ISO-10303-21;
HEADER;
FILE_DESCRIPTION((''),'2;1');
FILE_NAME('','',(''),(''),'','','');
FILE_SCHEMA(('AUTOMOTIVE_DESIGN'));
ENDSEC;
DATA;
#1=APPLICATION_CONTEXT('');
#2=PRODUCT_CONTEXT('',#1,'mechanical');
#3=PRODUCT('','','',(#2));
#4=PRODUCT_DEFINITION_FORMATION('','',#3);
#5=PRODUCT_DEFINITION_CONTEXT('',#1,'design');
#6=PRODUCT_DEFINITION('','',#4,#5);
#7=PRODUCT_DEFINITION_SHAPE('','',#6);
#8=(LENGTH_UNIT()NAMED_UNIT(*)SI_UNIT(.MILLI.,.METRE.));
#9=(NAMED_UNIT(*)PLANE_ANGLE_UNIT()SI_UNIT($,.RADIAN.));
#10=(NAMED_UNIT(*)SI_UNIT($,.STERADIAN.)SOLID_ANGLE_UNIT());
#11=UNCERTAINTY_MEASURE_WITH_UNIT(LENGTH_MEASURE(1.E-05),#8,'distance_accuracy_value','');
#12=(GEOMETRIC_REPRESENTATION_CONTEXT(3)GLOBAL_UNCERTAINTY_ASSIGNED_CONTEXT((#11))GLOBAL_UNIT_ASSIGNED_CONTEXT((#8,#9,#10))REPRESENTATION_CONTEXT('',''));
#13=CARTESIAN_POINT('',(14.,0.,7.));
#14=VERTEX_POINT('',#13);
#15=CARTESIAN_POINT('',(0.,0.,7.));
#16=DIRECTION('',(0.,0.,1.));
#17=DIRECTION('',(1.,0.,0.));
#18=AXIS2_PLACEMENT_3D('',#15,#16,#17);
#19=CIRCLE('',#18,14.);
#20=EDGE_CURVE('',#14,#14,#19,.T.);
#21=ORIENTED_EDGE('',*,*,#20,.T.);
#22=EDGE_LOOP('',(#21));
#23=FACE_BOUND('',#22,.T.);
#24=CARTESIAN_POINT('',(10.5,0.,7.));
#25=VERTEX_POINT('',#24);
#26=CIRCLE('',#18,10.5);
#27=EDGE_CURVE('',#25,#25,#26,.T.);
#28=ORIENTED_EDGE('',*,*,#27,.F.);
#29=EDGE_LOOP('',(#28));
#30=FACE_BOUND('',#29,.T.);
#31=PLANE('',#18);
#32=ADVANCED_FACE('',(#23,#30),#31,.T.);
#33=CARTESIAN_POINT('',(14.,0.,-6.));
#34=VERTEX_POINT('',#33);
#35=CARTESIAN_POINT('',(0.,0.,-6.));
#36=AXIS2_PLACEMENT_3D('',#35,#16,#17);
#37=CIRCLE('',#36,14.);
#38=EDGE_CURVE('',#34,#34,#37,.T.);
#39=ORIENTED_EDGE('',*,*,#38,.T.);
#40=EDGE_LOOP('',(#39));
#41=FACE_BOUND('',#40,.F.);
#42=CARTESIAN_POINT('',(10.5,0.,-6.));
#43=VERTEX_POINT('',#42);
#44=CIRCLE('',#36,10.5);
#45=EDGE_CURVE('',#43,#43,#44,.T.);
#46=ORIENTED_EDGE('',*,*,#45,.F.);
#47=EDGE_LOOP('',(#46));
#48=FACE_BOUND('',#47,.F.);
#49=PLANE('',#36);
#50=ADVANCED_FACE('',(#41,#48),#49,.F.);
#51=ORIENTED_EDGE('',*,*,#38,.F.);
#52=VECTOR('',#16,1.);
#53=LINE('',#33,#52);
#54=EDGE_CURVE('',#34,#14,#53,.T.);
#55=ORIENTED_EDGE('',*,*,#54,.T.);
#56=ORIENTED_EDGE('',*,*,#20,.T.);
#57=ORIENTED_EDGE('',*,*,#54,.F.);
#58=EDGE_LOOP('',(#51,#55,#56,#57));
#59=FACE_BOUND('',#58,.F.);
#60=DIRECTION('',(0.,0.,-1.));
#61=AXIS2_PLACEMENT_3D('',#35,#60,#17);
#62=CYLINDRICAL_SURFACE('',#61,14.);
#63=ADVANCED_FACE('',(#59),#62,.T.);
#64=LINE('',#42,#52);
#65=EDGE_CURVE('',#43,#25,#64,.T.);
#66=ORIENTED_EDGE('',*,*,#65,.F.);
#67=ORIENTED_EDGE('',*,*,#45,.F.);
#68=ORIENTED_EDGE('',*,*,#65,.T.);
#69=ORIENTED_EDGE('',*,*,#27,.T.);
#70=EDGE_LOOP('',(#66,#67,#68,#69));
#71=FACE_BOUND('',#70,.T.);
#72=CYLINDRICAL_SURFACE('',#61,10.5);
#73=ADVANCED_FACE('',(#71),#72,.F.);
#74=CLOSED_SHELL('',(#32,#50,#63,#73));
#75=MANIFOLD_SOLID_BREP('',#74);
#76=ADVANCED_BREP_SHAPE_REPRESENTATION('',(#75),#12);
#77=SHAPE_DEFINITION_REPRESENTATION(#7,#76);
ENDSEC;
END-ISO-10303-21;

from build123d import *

# Parameters (mm, degrees)
CYLINDER014_R     = 10.5
CYLINDER014_DEPTH = 13
CYLINDER013_R     = 14
CYLINDER013_DEPTH = 13


with BuildPart() as cylinder014:
    # Cylinder014 → Cylinder014 (new body)
    with BuildSketch(Plane.XY.offset(-6)):
        Circle(CYLINDER014_R)
    extrude(amount=CYLINDER014_DEPTH)


with BuildPart() as cut086:
    # Cylinder013 → Cylinder013 (new body)
    with BuildSketch(Plane.XY.offset(-6)):
        Circle(CYLINDER013_R)
    extrude(amount=CYLINDER013_DEPTH)

    # Cut086: cut Cylinder014
    add(cylinder014.part, mode=Mode.SUBTRACT)


solid = cut086.part
